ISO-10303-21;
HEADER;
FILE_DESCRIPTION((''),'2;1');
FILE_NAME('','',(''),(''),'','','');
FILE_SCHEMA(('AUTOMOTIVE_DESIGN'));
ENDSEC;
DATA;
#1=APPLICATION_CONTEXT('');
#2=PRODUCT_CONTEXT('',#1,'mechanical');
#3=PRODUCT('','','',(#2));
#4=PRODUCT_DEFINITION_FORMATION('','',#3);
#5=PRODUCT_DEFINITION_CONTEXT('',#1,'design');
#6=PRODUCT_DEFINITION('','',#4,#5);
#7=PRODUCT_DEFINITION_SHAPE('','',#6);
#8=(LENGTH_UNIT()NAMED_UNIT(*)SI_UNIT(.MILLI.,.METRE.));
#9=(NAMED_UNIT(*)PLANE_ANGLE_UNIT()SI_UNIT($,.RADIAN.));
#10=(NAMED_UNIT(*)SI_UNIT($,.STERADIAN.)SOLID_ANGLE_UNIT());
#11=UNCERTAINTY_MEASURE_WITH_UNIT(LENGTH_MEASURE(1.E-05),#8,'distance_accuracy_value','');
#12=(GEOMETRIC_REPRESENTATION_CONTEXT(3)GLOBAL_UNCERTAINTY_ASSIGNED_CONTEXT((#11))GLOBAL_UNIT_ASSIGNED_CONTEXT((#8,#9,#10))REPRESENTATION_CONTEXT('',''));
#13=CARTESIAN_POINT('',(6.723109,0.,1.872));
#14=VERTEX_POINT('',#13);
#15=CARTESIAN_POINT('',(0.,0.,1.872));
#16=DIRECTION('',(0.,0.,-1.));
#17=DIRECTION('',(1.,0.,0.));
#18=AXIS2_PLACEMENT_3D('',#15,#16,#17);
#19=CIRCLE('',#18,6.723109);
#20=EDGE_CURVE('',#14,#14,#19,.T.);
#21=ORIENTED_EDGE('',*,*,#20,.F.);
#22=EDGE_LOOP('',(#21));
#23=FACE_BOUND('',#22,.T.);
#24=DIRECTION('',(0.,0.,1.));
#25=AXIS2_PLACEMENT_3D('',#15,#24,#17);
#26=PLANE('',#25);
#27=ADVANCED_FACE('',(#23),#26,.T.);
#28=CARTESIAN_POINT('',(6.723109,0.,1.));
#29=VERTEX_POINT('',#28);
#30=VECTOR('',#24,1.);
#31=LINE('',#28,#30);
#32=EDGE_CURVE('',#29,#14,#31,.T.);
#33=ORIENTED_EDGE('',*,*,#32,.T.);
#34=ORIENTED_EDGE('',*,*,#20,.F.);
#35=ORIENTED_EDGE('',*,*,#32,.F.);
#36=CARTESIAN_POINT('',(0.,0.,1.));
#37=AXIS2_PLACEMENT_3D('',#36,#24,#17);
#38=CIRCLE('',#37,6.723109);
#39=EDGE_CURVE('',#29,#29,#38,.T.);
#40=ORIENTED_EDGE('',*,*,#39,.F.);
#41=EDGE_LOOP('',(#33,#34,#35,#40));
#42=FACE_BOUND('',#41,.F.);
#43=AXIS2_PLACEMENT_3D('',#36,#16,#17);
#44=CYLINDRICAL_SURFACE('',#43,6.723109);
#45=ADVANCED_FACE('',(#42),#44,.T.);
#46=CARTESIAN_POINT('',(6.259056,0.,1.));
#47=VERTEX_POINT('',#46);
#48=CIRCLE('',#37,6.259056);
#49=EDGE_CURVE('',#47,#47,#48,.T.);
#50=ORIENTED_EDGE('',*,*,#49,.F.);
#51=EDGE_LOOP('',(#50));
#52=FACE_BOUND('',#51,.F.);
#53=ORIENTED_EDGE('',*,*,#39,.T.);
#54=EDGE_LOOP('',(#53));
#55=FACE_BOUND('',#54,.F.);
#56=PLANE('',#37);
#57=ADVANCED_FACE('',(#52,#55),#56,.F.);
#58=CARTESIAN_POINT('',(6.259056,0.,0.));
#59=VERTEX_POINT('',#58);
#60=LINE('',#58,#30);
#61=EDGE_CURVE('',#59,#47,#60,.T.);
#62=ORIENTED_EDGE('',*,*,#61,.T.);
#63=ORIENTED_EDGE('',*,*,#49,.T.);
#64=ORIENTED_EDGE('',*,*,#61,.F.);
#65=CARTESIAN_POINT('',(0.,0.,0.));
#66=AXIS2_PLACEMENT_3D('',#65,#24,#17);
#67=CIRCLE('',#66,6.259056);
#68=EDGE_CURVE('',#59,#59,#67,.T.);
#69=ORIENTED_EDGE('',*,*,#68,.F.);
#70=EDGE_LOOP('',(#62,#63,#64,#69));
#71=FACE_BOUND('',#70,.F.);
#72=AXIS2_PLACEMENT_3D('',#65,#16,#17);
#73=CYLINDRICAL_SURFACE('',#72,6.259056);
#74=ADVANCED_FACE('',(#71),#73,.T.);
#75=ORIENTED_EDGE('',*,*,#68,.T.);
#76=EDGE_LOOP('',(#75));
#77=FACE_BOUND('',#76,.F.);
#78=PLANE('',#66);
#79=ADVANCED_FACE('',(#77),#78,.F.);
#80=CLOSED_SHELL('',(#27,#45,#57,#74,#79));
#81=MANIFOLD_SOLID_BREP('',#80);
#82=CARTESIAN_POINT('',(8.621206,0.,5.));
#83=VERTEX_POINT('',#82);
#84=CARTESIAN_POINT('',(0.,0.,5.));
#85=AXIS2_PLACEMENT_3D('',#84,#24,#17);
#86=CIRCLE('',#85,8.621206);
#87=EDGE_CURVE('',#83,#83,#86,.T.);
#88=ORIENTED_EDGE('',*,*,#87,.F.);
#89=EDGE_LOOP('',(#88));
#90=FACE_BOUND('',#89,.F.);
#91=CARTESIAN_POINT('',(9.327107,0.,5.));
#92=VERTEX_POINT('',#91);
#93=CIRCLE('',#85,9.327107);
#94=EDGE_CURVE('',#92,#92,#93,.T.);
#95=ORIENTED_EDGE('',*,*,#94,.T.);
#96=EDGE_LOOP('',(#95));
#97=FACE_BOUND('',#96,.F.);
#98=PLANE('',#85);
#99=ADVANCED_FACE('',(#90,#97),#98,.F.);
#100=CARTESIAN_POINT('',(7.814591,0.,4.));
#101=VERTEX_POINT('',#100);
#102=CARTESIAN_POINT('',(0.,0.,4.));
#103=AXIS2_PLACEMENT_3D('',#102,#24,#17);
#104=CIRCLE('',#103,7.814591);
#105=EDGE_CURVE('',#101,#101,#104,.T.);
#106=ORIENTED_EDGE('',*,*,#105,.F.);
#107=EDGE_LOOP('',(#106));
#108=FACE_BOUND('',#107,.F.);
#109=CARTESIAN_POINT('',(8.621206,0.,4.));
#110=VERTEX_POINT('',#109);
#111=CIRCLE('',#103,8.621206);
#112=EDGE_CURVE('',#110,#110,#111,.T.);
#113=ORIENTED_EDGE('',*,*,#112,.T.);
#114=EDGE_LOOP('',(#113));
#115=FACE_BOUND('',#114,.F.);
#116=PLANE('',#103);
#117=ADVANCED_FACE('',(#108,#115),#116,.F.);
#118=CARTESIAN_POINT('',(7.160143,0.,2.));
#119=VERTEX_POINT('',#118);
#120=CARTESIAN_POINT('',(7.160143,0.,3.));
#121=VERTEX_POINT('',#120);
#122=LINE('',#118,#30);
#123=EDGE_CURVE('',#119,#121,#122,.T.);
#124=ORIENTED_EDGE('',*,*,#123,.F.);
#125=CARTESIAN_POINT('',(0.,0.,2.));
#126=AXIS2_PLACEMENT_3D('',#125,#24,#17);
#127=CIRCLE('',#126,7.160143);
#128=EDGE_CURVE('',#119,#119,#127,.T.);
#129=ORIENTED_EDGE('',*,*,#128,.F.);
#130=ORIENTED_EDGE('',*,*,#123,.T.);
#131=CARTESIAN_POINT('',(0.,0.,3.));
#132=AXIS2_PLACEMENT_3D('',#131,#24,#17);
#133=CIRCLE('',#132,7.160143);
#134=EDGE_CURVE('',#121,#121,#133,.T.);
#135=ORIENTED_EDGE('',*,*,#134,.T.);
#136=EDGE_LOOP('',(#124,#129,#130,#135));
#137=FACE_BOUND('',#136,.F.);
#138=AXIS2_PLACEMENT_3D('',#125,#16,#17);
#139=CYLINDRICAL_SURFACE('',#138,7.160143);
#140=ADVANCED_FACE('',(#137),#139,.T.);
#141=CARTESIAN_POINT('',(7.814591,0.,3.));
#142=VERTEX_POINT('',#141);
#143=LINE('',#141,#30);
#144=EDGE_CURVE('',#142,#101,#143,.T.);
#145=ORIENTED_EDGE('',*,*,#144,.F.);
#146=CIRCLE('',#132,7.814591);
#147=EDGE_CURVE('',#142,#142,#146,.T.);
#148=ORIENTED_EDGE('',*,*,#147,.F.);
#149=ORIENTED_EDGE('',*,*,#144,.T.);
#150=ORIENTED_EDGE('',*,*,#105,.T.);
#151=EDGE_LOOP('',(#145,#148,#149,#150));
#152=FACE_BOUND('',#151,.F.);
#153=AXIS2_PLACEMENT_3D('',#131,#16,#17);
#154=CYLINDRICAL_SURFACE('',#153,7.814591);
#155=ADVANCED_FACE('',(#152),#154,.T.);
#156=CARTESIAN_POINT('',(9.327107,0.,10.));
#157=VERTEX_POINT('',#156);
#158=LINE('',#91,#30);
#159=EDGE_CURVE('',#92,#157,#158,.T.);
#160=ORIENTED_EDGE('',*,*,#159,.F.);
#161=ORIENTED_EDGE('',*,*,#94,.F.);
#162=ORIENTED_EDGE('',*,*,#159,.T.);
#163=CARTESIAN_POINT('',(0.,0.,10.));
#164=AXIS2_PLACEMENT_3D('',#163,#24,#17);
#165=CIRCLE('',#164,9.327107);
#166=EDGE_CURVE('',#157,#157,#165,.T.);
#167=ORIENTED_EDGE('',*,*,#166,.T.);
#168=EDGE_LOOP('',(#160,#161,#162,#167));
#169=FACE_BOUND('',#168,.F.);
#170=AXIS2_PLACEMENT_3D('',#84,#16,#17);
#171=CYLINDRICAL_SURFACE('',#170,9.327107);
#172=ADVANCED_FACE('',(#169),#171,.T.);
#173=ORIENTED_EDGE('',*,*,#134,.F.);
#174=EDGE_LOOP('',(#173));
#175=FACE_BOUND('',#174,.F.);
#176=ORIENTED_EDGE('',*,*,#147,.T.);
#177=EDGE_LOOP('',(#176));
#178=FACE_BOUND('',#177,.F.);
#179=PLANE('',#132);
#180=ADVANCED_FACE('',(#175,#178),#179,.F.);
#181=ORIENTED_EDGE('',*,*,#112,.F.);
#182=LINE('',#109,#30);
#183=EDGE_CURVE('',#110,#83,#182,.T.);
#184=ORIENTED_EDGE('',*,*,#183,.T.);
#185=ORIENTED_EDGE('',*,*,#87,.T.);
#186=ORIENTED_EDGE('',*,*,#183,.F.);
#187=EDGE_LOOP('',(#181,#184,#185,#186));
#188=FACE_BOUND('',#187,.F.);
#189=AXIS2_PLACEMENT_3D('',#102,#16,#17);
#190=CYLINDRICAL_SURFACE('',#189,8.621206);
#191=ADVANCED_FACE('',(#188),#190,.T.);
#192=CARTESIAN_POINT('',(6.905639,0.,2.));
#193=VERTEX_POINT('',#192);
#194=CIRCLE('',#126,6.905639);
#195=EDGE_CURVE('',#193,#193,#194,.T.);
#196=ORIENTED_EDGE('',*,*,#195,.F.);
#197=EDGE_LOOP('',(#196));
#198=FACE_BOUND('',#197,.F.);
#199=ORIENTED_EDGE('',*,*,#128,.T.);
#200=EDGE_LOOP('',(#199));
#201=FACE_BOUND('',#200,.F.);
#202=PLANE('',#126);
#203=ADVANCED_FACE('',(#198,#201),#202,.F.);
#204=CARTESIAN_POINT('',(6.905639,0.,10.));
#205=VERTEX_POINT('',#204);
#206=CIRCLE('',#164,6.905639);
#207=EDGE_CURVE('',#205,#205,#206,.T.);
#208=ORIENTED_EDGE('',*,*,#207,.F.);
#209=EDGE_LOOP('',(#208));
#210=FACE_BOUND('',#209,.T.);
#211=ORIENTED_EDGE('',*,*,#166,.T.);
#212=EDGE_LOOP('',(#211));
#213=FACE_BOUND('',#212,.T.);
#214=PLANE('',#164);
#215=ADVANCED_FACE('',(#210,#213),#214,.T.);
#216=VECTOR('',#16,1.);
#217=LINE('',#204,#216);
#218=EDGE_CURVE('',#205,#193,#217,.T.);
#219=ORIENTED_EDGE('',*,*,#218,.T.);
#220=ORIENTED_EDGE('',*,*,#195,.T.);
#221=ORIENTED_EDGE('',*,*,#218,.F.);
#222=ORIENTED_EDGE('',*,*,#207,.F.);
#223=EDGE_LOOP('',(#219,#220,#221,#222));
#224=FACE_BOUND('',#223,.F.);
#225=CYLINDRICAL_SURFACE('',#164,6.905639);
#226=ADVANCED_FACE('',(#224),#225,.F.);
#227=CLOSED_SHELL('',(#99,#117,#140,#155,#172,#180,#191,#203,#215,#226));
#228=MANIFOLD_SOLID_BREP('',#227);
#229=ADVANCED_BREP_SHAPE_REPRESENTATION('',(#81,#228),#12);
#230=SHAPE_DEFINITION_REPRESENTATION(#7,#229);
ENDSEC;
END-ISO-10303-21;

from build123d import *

# Parameters (mm, degrees)
F0_R      = 6.259056
F1_DEPTH  = 1
F2_R      = 6.723109
F3_DEPTH  = 1
F4_R      = 7.160143
F5_DEPTH  = 1
F6_R      = 7.814591
F7_DEPTH  = 1
F8_R      = 8.621206
F9_DEPTH  = 1
F10_R     = 9.327107
F11_DEPTH = 5
F12_R     = 6.905639
F13_DEPTH = 8.128


with BuildPart() as f1:
    # F0 (on Top) → F1 (new body)
    with BuildSketch(Plane.XY):
        Circle(F0_R)
    extrude(amount=F1_DEPTH)

    # F2 (on face) → F3 (join)
    with BuildSketch(Plane.XY.offset(1)):
        Circle(F2_R)
    extrude(amount=F3_DEPTH)

    # F4 (on face) → F5 (join)
    with BuildSketch(Plane.XY.offset(2)):
        Circle(F4_R)
    extrude(amount=F5_DEPTH)

    # F6 (on face) → F7 (join)
    with BuildSketch(Plane.XY.offset(3)):
        Circle(F6_R)
    extrude(amount=F7_DEPTH)

    # F8 (on face) → F9 (join)
    with BuildSketch(Plane.XY.offset(4)):
        Circle(F8_R)
    extrude(amount=F9_DEPTH)

    # F10 (on face) → F11 (join)
    with BuildSketch(Plane.XY.offset(5)):
        Circle(F10_R)
    extrude(amount=F11_DEPTH)

    # F12 (on face) → F13 (cut)
    with BuildSketch(Plane.XY.offset(10)):
        Circle(F12_R)
    extrude(amount=-F13_DEPTH, mode=Mode.SUBTRACT)


solid = f1.part
